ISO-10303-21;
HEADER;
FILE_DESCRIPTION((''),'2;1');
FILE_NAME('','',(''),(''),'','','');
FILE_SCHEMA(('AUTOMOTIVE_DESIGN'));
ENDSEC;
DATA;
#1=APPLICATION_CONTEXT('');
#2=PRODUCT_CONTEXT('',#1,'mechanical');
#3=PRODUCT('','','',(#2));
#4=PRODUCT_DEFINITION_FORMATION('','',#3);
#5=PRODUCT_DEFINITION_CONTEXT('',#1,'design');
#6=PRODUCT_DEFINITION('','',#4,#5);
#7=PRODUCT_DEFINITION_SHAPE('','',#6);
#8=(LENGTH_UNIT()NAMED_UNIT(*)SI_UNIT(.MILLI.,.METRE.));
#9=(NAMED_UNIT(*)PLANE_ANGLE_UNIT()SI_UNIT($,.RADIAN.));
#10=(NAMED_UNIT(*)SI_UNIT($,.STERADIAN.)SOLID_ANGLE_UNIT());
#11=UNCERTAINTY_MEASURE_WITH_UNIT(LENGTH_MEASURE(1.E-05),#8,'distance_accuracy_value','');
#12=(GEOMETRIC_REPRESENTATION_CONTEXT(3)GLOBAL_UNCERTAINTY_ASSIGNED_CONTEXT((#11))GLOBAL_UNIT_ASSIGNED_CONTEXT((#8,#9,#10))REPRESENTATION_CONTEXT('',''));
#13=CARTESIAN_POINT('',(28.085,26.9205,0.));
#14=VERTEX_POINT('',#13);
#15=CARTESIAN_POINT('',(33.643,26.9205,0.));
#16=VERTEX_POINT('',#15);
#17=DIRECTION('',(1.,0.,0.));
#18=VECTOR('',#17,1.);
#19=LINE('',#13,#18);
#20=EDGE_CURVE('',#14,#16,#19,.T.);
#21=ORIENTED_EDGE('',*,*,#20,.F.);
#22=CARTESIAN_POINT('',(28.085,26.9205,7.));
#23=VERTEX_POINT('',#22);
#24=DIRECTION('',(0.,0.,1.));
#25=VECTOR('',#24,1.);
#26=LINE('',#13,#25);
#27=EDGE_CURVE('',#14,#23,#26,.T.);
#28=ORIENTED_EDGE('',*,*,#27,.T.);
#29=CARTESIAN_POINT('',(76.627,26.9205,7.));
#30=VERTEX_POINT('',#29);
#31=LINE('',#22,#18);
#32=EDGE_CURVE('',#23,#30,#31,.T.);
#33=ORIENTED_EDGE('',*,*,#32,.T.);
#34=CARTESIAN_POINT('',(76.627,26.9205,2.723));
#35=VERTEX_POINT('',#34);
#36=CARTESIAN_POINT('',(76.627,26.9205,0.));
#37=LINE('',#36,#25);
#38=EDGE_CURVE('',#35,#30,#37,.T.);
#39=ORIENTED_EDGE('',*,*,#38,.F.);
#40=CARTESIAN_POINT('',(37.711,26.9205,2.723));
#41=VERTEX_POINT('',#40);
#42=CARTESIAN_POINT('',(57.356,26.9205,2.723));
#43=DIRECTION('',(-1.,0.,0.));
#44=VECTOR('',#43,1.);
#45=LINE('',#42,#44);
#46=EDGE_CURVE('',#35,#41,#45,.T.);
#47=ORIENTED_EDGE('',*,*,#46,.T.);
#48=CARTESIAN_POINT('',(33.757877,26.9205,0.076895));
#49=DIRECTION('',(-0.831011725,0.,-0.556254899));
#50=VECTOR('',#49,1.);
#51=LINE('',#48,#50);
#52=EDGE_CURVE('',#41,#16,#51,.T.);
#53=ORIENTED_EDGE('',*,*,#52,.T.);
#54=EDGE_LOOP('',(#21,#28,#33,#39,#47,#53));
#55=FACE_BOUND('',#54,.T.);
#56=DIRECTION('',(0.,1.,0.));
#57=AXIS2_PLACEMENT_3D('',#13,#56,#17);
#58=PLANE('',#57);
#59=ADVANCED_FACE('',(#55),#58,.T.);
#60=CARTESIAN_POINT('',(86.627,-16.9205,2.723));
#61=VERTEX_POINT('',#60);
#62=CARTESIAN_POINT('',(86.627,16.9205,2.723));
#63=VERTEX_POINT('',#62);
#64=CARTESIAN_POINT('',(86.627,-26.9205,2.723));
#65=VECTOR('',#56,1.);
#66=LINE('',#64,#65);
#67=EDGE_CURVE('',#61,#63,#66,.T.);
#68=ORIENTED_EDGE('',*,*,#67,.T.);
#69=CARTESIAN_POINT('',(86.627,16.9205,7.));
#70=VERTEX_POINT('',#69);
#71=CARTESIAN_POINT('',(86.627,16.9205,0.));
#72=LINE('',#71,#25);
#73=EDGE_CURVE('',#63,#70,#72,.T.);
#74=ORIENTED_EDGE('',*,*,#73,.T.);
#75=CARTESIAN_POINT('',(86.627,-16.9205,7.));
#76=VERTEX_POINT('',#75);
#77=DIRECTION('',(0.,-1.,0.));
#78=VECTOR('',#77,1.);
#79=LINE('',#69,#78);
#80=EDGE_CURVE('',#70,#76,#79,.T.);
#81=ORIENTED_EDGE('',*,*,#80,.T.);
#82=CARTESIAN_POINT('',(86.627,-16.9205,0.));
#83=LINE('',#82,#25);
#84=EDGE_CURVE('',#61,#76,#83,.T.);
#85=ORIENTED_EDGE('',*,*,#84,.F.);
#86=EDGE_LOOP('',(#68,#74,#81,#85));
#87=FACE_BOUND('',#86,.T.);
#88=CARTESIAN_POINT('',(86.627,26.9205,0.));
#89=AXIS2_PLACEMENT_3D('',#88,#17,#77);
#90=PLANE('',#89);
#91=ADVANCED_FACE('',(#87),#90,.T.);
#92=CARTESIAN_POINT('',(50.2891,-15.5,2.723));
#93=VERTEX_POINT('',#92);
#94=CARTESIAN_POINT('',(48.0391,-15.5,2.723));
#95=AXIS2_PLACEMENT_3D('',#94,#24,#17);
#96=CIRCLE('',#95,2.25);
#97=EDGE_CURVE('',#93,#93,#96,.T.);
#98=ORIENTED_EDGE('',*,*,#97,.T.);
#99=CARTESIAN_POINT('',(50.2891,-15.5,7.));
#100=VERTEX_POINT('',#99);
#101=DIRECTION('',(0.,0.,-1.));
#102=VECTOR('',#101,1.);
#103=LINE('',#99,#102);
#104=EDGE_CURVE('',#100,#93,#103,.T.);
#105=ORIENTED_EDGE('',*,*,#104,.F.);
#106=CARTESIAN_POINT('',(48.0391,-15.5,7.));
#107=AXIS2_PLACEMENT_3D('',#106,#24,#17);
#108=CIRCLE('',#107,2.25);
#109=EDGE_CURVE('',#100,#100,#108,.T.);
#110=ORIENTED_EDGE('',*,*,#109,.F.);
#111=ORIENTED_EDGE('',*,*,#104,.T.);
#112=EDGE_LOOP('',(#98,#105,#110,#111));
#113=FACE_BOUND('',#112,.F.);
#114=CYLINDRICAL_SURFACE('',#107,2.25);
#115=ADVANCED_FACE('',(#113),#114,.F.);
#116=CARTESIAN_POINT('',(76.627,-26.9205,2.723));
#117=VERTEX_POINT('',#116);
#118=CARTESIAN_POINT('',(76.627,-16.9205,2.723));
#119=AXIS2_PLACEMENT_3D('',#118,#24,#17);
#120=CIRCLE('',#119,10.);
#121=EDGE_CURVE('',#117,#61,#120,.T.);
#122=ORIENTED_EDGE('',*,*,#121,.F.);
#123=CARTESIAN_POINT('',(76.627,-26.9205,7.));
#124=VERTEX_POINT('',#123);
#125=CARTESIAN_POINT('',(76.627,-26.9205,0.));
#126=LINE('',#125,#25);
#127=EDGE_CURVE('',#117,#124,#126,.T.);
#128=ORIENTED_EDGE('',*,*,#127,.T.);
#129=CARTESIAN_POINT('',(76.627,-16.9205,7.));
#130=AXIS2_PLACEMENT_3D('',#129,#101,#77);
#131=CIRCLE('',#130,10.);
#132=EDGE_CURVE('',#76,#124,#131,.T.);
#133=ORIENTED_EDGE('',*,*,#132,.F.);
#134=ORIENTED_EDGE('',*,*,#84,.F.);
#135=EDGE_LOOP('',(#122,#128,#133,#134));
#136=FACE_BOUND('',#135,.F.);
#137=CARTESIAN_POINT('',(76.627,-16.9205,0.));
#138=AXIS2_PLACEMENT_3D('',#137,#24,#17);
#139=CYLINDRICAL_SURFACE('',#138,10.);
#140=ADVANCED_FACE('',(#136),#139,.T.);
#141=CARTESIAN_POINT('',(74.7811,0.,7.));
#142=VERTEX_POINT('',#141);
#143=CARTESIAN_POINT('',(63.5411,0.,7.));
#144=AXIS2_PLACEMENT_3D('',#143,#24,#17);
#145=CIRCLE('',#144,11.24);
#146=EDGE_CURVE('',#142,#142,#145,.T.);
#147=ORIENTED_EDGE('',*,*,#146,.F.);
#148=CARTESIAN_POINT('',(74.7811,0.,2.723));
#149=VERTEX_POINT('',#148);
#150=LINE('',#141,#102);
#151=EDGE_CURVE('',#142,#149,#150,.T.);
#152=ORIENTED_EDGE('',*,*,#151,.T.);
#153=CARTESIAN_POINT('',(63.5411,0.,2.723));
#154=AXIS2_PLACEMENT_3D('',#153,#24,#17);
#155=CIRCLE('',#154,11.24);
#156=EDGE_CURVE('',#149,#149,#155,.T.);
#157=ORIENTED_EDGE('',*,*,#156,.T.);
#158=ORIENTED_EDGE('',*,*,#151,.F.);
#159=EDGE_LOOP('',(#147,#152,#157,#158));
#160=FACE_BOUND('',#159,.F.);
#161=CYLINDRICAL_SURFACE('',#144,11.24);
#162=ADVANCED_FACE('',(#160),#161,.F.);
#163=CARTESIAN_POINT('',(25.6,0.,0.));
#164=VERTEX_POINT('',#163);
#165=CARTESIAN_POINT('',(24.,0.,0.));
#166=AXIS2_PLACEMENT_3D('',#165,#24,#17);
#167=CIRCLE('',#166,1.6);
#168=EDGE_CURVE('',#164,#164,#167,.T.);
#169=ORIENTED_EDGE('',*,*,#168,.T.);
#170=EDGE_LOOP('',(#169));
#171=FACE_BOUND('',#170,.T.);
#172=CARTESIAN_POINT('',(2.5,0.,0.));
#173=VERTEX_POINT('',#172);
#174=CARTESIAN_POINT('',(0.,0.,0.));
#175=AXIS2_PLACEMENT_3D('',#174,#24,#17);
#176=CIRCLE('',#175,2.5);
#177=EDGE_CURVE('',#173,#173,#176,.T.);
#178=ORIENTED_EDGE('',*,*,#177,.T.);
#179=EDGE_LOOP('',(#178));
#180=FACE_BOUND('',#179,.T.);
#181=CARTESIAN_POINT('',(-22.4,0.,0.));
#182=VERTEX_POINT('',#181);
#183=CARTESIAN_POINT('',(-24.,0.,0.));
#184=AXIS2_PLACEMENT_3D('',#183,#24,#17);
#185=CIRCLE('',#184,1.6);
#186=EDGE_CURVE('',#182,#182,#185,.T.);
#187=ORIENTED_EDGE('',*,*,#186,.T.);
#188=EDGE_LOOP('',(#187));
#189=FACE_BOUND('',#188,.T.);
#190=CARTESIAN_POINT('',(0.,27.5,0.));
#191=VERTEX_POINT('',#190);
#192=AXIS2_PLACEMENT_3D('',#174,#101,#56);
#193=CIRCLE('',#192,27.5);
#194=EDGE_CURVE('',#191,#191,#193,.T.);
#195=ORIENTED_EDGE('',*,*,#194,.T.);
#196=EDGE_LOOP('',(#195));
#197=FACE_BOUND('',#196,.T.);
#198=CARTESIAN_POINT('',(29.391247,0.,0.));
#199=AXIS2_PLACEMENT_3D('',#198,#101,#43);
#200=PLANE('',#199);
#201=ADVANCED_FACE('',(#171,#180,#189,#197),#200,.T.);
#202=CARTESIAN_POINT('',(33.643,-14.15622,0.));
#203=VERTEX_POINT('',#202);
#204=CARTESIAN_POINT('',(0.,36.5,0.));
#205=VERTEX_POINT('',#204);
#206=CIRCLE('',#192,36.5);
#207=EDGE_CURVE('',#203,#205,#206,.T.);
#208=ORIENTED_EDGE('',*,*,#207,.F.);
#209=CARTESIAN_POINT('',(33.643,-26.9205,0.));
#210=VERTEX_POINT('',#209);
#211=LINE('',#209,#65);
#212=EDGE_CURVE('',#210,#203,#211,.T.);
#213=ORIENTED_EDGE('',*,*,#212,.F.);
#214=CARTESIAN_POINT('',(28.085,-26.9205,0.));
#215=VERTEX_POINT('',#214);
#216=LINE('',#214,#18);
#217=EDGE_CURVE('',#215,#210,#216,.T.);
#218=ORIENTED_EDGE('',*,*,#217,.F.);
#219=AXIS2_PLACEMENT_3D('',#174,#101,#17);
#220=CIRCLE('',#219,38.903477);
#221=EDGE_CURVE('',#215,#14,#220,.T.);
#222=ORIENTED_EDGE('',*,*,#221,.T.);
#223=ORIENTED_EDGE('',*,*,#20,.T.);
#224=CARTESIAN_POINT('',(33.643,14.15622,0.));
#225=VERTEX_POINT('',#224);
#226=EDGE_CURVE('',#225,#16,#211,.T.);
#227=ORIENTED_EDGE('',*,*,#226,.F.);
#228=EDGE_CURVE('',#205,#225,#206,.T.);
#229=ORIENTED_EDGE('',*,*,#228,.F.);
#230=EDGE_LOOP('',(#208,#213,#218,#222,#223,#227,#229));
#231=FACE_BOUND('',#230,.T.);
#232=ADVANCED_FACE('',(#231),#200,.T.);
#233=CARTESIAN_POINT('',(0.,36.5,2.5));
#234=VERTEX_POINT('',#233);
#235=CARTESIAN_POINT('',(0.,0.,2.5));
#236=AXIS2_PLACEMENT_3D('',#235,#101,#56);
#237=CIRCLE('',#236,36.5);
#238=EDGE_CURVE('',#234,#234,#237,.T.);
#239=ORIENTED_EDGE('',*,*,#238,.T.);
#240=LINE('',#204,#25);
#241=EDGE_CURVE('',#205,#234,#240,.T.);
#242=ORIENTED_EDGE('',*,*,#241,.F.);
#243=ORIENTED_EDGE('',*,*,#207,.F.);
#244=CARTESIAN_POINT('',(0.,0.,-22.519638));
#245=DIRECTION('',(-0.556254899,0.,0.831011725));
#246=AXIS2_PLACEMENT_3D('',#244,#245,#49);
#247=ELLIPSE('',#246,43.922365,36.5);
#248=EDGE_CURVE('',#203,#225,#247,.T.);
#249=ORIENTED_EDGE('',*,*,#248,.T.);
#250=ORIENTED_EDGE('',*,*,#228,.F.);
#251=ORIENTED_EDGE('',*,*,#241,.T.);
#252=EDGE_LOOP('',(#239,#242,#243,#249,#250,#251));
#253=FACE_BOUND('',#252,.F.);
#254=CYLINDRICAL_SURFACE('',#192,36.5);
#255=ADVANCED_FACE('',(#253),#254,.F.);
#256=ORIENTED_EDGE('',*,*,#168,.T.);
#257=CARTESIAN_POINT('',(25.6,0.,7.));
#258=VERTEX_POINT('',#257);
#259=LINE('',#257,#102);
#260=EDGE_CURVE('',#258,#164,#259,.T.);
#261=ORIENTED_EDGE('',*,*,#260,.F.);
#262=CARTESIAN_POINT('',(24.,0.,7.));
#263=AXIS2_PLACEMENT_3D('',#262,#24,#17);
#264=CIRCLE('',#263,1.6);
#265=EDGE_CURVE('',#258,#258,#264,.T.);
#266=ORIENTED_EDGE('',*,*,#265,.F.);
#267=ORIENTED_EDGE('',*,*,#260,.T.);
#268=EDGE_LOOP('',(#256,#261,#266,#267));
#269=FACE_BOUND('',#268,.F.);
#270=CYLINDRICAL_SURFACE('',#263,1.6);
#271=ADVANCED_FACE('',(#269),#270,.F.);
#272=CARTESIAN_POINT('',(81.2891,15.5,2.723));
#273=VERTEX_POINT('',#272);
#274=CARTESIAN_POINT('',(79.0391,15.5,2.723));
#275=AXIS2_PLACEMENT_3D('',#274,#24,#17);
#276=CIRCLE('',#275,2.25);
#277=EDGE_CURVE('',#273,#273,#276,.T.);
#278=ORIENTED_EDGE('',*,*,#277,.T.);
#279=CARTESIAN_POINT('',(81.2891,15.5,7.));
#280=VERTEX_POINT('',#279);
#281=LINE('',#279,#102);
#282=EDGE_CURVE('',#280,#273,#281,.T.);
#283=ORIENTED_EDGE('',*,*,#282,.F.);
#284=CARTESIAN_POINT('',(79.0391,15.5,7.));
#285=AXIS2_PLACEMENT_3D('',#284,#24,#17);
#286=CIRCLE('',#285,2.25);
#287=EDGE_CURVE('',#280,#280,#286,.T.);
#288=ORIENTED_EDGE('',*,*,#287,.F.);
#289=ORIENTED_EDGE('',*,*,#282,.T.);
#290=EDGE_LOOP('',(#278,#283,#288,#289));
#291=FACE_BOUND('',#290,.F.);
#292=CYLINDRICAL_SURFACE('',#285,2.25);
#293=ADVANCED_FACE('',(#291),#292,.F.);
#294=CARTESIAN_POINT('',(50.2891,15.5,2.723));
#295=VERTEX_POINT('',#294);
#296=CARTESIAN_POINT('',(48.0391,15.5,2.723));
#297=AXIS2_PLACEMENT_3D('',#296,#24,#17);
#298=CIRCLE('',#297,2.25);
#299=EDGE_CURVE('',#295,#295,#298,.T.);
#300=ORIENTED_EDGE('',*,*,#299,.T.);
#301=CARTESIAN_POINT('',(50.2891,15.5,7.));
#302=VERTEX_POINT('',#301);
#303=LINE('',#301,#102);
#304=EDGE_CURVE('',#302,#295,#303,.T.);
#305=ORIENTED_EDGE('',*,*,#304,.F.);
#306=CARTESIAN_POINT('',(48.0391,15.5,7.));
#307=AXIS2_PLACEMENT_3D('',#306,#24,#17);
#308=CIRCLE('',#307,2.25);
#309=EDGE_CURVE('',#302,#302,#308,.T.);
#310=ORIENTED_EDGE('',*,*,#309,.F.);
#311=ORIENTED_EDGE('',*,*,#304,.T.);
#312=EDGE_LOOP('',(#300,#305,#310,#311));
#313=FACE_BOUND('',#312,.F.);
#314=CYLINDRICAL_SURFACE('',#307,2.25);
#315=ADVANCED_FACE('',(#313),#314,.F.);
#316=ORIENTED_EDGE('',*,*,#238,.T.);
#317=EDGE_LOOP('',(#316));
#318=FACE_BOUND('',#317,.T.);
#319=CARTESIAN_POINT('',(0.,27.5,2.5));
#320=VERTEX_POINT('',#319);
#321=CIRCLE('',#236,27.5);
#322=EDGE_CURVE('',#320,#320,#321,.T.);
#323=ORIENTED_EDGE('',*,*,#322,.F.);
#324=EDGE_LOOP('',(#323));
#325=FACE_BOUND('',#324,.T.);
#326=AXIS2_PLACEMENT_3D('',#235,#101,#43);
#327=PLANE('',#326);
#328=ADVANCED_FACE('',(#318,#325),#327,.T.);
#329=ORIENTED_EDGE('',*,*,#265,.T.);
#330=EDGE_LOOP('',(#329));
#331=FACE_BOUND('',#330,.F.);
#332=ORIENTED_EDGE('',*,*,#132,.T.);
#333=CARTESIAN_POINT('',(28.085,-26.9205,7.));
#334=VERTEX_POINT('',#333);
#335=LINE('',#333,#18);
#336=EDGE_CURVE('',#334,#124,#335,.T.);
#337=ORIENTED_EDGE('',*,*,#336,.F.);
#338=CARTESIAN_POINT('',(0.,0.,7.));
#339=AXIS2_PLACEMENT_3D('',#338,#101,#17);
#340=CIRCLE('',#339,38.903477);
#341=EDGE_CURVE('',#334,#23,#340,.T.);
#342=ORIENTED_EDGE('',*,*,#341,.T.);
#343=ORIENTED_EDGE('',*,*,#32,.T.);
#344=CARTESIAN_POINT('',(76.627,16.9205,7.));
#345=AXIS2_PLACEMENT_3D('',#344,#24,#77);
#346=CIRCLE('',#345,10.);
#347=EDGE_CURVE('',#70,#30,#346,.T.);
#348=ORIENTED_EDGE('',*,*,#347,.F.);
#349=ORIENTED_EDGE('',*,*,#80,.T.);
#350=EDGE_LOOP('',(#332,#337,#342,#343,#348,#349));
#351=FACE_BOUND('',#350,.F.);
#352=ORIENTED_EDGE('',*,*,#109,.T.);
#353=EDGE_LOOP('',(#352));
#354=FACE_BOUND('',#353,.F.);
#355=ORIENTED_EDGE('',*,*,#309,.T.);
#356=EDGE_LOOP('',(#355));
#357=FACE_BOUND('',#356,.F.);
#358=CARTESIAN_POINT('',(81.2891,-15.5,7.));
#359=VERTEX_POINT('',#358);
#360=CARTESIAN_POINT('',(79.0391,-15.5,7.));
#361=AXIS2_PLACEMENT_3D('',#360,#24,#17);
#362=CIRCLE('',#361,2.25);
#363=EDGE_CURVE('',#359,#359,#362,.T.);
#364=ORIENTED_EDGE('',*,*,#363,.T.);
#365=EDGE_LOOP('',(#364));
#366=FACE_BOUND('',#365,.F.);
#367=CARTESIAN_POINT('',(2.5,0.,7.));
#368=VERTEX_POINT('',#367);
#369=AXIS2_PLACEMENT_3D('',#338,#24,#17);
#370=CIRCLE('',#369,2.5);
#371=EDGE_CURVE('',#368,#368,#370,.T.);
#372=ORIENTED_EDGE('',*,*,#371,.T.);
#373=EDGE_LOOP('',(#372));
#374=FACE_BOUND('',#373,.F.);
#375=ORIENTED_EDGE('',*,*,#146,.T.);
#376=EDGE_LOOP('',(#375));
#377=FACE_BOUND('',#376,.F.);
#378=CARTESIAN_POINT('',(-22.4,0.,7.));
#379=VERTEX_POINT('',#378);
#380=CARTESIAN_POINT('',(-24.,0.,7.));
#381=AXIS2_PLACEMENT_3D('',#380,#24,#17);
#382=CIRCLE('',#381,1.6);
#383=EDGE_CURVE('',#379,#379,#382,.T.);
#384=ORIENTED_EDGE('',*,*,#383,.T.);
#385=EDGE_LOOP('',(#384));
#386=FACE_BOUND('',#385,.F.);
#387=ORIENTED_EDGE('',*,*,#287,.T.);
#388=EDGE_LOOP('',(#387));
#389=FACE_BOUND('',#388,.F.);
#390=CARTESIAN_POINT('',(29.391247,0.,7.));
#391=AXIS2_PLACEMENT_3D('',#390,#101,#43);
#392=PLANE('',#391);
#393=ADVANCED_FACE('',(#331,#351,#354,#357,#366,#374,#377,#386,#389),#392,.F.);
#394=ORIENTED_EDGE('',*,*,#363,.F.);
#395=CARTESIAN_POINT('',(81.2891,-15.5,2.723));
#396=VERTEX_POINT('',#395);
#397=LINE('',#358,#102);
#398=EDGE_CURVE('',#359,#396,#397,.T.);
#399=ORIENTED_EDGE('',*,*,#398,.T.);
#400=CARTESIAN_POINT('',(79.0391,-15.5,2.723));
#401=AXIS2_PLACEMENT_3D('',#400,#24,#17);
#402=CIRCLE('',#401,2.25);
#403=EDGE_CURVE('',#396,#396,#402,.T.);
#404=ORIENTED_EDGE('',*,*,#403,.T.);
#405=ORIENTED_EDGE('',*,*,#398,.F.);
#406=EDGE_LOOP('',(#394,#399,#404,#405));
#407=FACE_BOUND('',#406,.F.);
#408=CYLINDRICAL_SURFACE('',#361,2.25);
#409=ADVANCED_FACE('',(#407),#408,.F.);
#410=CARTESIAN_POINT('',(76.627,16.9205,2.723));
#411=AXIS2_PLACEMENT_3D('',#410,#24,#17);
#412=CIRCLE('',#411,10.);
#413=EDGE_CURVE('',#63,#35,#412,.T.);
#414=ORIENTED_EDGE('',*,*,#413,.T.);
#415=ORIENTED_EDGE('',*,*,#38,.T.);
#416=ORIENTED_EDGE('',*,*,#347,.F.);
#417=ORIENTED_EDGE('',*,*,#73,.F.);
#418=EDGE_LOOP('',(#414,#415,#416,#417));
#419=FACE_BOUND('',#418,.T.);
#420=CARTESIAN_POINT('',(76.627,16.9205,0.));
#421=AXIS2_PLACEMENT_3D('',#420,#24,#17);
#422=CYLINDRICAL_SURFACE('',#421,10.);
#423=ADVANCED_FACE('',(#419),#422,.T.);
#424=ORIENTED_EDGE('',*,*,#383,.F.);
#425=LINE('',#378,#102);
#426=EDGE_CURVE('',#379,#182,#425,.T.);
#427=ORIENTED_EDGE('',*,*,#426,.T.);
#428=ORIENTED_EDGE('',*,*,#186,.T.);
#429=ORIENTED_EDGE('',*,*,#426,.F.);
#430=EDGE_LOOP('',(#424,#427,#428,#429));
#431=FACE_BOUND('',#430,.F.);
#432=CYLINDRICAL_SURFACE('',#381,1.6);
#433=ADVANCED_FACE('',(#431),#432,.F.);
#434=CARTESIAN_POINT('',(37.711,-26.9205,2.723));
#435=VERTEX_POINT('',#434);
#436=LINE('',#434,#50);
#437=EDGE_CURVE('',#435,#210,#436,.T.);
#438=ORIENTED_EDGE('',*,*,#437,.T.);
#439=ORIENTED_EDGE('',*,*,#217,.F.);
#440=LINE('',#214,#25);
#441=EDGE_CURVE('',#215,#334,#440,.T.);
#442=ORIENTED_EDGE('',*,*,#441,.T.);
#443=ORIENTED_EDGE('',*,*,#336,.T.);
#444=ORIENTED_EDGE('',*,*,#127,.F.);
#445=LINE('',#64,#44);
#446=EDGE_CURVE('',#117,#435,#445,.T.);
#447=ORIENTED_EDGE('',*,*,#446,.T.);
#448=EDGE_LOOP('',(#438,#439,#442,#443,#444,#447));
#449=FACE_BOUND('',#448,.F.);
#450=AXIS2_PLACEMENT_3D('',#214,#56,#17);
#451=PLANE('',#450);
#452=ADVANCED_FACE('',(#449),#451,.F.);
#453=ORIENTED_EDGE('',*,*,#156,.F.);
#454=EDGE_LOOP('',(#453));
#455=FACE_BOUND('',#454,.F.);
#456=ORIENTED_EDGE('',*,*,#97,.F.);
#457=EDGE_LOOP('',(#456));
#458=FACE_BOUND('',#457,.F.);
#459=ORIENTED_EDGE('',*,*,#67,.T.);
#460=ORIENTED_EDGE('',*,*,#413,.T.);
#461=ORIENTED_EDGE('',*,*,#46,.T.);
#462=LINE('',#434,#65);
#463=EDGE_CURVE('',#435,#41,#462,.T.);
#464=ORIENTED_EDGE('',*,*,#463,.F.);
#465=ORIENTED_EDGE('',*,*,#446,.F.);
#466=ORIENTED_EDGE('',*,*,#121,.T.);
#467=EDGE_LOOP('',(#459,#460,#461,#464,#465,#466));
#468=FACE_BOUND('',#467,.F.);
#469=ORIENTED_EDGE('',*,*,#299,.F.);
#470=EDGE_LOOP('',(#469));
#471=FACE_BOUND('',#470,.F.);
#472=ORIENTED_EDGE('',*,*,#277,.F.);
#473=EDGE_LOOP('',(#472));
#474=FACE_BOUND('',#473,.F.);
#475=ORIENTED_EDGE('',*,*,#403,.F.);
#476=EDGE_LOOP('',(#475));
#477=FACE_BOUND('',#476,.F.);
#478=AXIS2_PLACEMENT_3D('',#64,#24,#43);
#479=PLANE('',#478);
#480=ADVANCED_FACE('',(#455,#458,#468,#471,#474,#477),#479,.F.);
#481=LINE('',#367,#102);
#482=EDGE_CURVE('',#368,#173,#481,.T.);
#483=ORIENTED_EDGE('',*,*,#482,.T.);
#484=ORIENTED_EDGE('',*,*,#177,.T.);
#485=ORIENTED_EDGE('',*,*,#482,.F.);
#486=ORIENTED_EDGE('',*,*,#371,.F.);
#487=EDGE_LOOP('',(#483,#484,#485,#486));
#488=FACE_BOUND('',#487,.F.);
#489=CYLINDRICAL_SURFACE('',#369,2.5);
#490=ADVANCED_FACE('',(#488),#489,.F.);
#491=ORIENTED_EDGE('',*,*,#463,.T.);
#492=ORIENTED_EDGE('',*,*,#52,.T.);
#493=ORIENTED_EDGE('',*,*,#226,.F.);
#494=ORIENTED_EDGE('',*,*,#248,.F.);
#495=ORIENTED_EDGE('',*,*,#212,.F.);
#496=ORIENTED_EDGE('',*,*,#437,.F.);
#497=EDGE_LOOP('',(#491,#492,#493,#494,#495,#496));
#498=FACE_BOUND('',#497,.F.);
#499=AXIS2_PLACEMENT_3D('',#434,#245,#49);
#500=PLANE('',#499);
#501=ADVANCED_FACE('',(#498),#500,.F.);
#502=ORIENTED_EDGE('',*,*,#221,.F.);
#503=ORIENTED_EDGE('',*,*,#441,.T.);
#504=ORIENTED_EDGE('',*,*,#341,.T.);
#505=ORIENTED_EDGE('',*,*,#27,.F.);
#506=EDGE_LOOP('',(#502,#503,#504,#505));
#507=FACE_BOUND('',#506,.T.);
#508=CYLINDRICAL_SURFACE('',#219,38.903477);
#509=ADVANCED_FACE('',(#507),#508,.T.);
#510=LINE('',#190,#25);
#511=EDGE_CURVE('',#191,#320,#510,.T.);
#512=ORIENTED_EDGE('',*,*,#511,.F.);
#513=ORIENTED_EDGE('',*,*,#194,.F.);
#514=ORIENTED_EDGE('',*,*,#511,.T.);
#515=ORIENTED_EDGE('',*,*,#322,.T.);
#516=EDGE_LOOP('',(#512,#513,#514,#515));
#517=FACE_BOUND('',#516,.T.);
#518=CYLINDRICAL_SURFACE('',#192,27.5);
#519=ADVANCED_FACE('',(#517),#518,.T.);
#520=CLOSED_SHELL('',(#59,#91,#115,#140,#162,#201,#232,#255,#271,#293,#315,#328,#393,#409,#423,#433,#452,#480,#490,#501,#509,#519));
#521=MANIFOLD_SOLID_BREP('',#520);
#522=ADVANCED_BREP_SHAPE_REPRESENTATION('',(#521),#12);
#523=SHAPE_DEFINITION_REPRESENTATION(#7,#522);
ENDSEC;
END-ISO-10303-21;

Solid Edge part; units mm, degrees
sketch "Sketch1" plane through (0, 0, 0) normal (0, 0, 1) x (1, 0, 0)
  line L0 (86.627, 26.9205) -> (86.627, 0)
  line L1 (86.627, -26.9205) -> (86.627, 0)
  line L2 (28.085, -26.9205) -> (86.627, -26.9205)
  line L3 (28.085, 26.9205) -> (86.627, 26.9205)
  arc A0 (28.085, -26.9205) -> (28.085, 26.9205) centre (0, 0) cw
extrude "Protrusion1" add sketch "Sketch1" along normal blind 7
fillet "Redondeo_1" radius 10 2 edges at (86.627, 26.9205, 3.5) (86.627, -26.9205, 3.5)
sketch "Sketch2" plane through (23.8618, 0, 7) normal (0, 0, 1) x (1, 0, 0)
  circle A0 centre (-47.8618, 0) radius 1.6
  circle A1 centre (-23.8618, 0) radius 2.5
  circle A2 centre (0.1382, 0) radius 1.6
  circle A3 centre (24.1773, 15.5) radius 2.25
  circle A4 centre (24.1773, -15.5) radius 2.25
  circle A5 centre (39.6793, 0) radius 11.24
  circle A6 centre (55.1773, -15.5) radius 2.25
  circle A7 centre (55.1773, 15.5) radius 2.25
  dimension "D1" = 22.48
  dimension "D2" = 23.086
  dimension "D3" = 4.5
  dimension "D4" = 31
  dimension "D5" = 31
  dimension "D6" = 7.588
  dimension "D7" = 3.2
  dimension "D8" = 24
  dimension "D9" = 24
  dimension "D10" = 5
extrude "Cutout1" cut sketch "Sketch2" against normal up to next
sketch "Sketch3" plane through (52.356, -26.9205, 3.5) normal (0, -1, 0) x (1, 0, 0)
  line L0 (34.271, -0.777) -> (-14.645, -0.777)
  line L1 (-14.645, -0.777) -> (-18.713, -3.5)
  line L2 (-18.713, -3.5) -> (34.271, -3.5)
  line L3 (34.271, -3.5) -> (34.271, -0.777)
extrude "Cutout2" cut sketch "Sketch3" against normal up to next
sketch "Sketch4" plane through (-2.6302, 0, 0) normal (0, 0, -1) x (0, 1, 0)
  arc A0 (14.1561, 36.2733) -> (-14.1561, 36.2733) centre (0, 2.6302) cw construction
  circle A1 centre (0, 2.6302) radius 36.5
  circle A2 centre (0, 2.6302) radius 27.5
extrude "VaciadoExtruido_3" cut sketch "Sketch4" against normal blind 2.5
